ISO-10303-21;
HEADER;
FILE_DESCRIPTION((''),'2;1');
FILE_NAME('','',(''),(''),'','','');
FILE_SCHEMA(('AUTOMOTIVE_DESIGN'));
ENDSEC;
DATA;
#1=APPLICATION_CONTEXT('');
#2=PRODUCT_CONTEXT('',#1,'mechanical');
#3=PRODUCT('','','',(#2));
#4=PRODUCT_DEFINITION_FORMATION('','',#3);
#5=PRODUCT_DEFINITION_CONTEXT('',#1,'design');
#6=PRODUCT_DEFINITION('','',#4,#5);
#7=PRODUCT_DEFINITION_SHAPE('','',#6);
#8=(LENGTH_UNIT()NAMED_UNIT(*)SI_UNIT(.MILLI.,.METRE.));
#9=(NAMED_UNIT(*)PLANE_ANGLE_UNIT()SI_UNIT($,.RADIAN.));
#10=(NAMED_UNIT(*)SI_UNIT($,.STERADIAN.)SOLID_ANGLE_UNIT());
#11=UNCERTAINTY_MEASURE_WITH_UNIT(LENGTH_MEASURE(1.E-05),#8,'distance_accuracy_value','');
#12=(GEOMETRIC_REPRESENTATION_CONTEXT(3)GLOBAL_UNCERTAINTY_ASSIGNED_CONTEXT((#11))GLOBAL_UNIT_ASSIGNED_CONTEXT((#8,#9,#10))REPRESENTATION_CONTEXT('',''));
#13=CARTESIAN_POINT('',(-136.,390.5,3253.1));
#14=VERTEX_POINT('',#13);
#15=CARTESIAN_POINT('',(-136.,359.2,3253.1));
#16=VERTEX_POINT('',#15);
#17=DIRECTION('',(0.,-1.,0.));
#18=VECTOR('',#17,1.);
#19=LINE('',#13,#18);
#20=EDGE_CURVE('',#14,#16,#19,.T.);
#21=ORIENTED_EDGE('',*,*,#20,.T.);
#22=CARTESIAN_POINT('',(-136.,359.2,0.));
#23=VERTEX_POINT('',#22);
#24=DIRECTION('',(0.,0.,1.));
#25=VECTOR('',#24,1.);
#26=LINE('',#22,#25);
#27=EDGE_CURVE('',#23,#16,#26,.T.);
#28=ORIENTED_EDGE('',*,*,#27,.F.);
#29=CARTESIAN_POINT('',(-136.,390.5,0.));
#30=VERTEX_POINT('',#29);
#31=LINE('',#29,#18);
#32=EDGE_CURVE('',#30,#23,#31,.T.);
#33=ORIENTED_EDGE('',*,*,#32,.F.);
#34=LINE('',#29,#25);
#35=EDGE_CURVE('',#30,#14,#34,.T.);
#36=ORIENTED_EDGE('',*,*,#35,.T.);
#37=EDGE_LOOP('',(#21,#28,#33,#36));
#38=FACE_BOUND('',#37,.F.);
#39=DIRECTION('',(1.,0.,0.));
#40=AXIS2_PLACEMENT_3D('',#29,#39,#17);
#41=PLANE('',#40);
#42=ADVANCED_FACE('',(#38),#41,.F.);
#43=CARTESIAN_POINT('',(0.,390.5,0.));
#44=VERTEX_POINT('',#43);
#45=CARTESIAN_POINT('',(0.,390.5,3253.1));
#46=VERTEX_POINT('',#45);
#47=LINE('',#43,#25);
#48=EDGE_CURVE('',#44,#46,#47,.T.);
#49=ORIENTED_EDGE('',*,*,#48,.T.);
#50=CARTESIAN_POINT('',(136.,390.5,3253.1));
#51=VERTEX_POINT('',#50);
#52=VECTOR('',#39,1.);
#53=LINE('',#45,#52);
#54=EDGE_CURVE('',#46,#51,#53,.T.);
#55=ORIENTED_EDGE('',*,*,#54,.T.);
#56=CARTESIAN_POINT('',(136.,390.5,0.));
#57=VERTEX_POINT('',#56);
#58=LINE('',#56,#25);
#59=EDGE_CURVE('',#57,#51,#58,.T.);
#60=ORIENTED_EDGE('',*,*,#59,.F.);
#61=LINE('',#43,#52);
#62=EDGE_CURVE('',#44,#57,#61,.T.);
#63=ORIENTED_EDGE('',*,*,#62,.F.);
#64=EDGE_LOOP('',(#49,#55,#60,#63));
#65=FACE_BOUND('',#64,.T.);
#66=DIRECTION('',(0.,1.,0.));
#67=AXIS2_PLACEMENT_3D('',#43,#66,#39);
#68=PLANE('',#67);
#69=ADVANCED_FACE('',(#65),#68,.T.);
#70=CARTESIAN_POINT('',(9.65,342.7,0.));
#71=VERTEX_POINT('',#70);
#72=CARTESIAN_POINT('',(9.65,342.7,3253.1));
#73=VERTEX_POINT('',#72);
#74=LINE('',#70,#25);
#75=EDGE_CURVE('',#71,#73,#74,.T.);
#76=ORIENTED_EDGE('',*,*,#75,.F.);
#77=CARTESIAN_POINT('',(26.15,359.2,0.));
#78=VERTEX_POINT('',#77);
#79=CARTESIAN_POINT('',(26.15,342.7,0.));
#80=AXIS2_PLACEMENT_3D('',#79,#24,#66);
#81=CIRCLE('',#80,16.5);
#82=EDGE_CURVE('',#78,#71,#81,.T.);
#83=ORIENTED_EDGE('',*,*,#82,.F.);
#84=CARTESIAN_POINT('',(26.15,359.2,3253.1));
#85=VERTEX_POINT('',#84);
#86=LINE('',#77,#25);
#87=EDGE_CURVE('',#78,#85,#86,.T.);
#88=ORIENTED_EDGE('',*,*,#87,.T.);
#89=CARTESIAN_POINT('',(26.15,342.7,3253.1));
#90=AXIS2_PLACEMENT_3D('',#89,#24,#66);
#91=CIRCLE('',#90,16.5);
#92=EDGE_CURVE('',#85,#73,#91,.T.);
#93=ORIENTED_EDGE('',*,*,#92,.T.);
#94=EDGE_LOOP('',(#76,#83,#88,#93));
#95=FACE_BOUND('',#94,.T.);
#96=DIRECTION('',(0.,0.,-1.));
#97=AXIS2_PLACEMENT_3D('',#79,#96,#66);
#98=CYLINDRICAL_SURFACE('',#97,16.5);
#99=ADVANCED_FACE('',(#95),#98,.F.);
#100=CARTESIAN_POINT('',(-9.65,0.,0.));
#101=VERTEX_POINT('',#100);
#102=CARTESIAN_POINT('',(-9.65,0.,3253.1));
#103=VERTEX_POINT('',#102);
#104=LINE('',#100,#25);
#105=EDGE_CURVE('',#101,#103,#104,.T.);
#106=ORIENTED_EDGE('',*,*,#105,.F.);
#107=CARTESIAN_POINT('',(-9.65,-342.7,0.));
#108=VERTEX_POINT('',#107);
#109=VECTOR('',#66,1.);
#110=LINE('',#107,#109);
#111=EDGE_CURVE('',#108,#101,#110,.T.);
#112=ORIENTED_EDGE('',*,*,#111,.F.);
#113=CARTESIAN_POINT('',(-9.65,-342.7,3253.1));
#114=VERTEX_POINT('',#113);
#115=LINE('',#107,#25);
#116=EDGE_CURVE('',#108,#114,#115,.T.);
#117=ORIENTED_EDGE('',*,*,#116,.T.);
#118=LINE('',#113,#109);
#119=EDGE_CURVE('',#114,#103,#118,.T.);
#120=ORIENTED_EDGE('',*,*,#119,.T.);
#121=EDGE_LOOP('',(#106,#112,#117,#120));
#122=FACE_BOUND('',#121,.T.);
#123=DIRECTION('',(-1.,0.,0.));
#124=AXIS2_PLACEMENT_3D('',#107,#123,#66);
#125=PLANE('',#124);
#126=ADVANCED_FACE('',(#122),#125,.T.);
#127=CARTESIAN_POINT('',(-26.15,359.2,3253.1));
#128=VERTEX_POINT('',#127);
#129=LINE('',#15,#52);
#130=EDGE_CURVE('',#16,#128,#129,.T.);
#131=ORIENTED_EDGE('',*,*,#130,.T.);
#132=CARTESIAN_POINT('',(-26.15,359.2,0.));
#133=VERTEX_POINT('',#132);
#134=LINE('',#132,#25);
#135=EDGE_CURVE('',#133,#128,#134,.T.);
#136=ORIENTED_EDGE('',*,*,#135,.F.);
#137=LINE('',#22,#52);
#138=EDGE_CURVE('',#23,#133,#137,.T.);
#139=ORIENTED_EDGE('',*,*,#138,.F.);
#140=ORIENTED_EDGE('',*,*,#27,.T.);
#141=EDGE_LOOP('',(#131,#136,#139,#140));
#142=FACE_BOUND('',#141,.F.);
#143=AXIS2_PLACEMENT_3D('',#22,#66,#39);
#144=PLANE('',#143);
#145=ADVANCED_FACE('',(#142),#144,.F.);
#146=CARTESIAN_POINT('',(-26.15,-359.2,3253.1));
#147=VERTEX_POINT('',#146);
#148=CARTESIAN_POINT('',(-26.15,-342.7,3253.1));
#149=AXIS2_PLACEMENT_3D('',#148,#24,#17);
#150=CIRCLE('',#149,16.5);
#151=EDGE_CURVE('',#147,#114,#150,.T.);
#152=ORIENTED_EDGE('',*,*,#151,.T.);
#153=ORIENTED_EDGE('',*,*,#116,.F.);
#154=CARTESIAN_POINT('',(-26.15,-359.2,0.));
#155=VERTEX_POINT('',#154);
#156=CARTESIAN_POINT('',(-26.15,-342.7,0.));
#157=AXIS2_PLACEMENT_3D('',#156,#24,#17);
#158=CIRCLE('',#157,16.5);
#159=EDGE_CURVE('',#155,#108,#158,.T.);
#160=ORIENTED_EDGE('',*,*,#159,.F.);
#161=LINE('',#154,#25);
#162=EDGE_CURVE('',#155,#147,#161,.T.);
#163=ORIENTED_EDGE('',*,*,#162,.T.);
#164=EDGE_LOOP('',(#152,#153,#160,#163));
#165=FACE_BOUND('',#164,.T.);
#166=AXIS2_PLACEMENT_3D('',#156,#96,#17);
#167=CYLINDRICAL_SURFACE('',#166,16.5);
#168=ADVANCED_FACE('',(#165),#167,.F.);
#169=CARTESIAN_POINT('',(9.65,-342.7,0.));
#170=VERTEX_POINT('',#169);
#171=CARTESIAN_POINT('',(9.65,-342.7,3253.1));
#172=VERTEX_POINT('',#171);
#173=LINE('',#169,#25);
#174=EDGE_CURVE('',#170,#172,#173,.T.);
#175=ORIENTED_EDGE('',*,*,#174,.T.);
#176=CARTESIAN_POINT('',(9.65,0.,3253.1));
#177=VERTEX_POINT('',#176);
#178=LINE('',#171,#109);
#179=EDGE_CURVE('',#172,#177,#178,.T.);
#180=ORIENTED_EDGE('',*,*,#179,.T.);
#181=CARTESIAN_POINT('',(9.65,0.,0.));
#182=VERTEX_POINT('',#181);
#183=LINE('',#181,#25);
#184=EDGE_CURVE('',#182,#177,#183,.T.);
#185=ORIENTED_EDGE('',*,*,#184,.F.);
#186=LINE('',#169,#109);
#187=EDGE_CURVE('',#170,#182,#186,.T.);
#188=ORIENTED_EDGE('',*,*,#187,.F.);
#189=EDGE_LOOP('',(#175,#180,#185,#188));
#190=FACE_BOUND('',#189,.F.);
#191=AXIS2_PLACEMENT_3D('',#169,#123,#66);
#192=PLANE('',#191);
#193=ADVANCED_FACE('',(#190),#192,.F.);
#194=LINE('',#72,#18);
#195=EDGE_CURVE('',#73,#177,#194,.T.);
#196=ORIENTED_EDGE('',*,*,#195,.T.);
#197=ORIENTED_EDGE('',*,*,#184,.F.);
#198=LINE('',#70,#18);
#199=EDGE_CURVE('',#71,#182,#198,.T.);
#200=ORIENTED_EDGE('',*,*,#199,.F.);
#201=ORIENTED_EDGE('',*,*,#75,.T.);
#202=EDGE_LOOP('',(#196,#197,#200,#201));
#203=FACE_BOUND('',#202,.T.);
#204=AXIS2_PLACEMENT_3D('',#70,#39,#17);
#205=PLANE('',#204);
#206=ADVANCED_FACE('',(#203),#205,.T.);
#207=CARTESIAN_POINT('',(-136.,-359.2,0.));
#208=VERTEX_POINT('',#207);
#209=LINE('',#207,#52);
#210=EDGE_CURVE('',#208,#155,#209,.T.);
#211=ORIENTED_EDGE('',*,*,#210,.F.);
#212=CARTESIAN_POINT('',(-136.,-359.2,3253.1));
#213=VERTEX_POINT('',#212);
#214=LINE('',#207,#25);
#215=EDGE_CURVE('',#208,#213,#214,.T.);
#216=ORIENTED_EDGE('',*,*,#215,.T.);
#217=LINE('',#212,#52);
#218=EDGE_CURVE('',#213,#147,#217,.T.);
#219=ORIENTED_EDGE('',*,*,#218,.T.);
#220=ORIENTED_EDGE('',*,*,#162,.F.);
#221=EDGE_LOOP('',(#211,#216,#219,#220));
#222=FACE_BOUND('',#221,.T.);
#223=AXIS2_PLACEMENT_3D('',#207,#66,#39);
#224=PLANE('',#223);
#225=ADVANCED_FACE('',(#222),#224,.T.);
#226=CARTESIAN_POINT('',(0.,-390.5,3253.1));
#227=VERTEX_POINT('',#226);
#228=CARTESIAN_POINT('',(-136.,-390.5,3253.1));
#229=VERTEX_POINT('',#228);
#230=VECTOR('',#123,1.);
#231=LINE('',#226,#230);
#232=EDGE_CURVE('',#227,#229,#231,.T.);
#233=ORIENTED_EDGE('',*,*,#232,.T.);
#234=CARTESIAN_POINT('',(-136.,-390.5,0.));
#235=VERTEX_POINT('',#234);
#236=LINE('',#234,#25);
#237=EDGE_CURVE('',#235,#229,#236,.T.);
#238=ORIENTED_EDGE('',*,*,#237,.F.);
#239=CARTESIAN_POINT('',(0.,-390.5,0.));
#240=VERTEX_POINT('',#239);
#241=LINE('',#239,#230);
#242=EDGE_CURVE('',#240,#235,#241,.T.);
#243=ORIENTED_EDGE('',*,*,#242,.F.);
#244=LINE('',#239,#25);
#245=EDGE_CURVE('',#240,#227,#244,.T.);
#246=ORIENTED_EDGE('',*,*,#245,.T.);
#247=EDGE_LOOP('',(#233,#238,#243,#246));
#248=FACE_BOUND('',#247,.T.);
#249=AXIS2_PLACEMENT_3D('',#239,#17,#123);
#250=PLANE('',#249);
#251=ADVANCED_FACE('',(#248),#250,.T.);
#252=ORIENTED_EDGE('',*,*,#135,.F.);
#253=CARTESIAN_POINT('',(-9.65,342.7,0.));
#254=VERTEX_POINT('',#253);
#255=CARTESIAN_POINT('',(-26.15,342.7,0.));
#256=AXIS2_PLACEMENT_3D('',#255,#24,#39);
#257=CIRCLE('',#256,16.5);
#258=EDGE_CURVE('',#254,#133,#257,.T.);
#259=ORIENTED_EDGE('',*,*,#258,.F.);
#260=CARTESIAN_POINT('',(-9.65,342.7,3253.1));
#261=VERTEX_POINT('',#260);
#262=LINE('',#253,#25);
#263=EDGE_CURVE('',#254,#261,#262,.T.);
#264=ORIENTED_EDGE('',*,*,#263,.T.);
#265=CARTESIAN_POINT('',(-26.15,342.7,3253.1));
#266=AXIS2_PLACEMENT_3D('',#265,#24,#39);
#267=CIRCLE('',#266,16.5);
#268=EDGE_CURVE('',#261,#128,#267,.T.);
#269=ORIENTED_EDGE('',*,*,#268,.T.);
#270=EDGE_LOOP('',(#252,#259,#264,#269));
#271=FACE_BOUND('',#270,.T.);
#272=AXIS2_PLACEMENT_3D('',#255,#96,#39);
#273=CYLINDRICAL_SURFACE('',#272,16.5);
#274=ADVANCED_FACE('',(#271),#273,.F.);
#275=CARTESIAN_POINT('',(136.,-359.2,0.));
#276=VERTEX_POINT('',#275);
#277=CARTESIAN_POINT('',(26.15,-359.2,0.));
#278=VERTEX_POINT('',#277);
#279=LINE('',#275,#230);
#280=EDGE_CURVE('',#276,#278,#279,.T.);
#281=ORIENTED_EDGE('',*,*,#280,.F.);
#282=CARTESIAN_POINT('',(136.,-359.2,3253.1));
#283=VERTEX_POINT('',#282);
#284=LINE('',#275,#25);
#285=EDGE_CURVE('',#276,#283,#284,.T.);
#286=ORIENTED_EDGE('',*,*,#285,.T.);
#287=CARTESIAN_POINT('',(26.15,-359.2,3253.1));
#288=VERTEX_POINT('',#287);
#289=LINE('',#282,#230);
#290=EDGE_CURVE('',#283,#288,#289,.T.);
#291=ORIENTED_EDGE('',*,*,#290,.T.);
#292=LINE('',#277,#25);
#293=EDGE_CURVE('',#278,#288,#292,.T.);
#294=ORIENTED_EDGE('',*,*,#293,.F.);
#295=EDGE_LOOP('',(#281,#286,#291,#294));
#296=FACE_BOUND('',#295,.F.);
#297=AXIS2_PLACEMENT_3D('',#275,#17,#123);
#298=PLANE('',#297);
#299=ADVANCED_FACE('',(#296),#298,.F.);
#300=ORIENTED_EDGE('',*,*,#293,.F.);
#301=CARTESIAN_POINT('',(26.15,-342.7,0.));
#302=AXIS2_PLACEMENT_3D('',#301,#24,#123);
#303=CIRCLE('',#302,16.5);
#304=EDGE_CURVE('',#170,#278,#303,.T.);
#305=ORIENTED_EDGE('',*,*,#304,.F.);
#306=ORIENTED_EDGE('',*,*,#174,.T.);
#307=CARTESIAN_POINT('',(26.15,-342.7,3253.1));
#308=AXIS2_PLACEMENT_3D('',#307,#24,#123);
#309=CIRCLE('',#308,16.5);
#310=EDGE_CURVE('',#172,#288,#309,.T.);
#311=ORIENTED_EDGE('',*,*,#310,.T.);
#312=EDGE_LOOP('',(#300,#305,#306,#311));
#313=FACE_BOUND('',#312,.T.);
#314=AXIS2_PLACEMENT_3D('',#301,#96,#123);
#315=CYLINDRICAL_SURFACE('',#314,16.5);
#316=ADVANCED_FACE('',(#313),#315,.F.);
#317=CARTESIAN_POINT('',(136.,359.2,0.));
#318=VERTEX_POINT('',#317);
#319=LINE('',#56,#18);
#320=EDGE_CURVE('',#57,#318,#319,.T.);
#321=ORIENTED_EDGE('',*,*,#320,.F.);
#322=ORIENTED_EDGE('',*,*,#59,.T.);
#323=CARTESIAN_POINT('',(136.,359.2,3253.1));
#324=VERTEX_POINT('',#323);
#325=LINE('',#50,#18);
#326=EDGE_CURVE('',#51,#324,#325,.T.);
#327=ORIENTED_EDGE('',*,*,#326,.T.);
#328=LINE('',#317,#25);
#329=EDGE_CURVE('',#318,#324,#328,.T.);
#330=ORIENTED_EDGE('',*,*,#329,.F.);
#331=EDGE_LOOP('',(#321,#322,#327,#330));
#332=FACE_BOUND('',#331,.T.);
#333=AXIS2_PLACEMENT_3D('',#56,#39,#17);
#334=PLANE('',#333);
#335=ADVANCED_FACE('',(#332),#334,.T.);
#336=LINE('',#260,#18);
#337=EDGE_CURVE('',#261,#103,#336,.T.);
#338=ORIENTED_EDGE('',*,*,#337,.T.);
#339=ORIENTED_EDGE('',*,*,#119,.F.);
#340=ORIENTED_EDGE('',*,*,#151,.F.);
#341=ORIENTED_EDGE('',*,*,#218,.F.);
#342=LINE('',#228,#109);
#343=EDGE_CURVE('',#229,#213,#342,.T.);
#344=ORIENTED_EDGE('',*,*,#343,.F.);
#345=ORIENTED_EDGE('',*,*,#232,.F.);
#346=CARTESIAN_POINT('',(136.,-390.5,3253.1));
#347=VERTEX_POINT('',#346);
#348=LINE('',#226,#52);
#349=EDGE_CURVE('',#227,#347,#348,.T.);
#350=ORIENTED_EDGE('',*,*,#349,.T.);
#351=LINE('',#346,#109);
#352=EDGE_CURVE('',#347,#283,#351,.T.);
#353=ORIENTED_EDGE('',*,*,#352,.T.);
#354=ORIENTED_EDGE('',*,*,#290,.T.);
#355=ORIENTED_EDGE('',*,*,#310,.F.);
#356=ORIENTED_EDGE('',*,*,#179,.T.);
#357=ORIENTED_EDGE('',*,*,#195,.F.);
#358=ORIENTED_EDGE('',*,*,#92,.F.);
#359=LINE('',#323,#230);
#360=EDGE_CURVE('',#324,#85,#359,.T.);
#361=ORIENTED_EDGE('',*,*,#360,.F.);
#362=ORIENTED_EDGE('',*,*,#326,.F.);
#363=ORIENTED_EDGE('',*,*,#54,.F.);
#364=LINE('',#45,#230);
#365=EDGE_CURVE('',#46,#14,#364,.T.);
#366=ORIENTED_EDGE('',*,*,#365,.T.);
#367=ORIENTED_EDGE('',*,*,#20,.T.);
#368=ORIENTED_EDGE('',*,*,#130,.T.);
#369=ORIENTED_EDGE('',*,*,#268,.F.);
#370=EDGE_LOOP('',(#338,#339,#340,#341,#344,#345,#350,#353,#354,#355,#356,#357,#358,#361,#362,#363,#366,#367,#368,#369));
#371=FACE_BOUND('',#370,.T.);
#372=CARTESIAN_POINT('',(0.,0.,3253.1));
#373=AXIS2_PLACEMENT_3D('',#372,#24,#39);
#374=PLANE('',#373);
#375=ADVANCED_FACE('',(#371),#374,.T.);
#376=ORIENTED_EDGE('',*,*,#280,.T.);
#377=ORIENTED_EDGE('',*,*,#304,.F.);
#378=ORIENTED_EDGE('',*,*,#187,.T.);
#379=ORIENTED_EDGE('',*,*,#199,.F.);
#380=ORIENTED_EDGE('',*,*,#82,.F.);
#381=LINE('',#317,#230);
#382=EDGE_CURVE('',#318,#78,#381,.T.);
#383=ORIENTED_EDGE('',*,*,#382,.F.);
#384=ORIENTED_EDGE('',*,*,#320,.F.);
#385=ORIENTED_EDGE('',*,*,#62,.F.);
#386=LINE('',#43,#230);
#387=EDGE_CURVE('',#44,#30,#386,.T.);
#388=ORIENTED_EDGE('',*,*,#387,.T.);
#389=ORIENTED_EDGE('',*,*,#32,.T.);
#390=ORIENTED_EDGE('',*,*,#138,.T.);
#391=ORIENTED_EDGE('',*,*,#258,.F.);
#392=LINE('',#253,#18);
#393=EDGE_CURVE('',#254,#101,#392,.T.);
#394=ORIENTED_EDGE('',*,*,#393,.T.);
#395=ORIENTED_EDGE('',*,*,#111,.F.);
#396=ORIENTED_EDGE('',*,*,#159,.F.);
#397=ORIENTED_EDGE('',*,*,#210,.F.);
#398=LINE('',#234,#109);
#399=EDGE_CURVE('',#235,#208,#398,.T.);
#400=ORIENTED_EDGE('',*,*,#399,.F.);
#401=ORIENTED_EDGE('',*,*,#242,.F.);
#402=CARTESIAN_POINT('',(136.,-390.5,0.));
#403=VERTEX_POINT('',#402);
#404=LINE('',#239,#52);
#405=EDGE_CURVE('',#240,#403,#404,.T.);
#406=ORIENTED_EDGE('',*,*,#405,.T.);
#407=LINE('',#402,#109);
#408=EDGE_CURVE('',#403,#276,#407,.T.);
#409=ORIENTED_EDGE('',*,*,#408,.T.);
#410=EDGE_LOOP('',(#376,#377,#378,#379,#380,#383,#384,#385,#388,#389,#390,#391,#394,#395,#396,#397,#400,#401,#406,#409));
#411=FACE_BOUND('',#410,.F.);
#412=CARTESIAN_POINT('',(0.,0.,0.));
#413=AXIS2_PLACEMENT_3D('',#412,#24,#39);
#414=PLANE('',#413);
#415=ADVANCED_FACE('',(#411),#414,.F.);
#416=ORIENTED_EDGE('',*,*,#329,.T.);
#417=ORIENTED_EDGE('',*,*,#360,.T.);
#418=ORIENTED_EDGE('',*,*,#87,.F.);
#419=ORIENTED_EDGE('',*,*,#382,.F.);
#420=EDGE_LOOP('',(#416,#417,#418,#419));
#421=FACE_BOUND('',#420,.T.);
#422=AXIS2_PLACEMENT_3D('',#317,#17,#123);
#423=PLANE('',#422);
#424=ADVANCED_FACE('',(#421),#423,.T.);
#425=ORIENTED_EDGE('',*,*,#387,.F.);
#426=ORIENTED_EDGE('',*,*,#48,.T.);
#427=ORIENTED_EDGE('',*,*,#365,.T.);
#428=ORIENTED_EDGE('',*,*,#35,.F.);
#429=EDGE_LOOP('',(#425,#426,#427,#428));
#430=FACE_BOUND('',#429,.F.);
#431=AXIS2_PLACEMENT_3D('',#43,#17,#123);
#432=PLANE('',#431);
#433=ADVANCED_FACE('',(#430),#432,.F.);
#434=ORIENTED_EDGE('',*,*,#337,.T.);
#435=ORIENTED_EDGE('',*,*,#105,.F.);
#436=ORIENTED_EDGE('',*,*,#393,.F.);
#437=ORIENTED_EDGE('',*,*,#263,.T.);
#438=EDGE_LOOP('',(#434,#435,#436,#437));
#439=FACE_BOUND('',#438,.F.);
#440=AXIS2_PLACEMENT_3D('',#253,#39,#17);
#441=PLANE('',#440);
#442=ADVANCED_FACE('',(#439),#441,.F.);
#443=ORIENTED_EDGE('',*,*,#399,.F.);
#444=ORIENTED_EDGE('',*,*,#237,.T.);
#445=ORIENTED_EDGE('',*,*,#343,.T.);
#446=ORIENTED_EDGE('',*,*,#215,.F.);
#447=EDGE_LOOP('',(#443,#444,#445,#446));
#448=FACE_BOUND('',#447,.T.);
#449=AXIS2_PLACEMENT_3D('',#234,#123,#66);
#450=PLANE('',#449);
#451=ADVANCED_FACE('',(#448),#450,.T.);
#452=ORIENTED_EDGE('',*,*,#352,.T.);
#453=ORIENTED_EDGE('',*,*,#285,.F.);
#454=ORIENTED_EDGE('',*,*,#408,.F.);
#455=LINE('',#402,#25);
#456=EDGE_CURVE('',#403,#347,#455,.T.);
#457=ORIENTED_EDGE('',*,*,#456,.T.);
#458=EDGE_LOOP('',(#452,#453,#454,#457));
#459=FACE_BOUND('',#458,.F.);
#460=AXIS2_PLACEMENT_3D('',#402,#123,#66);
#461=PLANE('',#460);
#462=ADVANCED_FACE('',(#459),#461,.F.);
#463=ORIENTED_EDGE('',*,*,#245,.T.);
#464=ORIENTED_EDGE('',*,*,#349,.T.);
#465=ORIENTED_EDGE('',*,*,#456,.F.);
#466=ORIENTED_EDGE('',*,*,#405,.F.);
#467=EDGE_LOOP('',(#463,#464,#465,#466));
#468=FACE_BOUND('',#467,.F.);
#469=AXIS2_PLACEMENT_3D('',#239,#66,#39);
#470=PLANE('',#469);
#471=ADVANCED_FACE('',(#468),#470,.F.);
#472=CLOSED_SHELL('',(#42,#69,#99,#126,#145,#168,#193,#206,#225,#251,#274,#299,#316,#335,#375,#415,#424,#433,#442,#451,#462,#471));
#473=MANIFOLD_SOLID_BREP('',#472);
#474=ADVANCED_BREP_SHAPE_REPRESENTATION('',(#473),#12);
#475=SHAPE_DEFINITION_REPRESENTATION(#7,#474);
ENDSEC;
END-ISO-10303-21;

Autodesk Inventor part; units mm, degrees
ref_plane "YZ Plane" through (0, 0, 0) normal (1, 0, 0) x (0, 1, 0)
ref_plane "Start plane" through (0, 0, 0) normal (0, 0, 1) x (1, 0, 0)
ref_plane "End plane" through (0, 0, 3253.1) normal (0, 0, 1) x (1, 0, 0)
sketch "Sketch" plane through (0, 0, 0) normal (0, 0, 1) x (1, 0, 0)
  line L0 (-136, -390.5) -> (-136, -359.2)
  line L1 (-136, -359.2) -> (-26.15, -359.2)
  line L2 (-9.65, -342.7) -> (-9.65, 0)
  line L3 (-9.65, 0) -> (0, 0) construction
  line L4 (0, 0) -> (0, -390.5) construction
  line L5 (0, -390.5) -> (-136, -390.5)
  line L6 (-60, 0) -> (80, 0) construction
  line L7 (0, -60) -> (0, 80) construction
  line L8 (136, -390.5) -> (136, -359.2)
  line L9 (136, -359.2) -> (26.15, -359.2)
  line L10 (9.65, -342.7) -> (9.65, 0)
  line L11 (9.65, 0) -> (0, 0) construction
  line L12 (0, -390.5) -> (136, -390.5)
  line L13 (-136, 390.5) -> (-136, 359.2)
  line L14 (-136, 359.2) -> (-26.15, 359.2)
  line L15 (-9.65, 342.7) -> (-9.65, 0)
  line L16 (0, 390.5) -> (-136, 390.5)
  line L17 (136, 390.5) -> (136, 359.2)
  line L18 (136, 359.2) -> (26.15, 359.2)
  line L19 (0, 390.5) -> (136, 390.5)
  line L20 (9.65, 342.7) -> (9.65, 0)
  arc A0 (-9.65, 342.7) -> (-26.15, 359.2) centre (-26.15, 342.7) ccw
  arc A1 (26.15, 359.2) -> (9.65, 342.7) centre (26.15, 342.7) ccw
  arc A2 (9.65, -342.7) -> (26.15, -359.2) centre (26.15, -342.7) ccw
  arc A3 (-26.15, -359.2) -> (-9.65, -342.7) centre (-26.15, -342.7) ccw
  line L21 (0, 108) -> (0, -88) construction
  line L22 (-88, 0) -> (108, 0) construction
  point P0 (-9.65, -359.2)
  point P1 (9.65, -359.2)
  point P2 (-9.65, 359.2)
  point P3 (9.65, 359.2)
  dimension "d1" = 390.5
  dimension "d2" = 31.3
  dimension "d3" = 136
  dimension "d4" = 9.65
  dimension "d10" = 16.5
extrude "Body" add sketch "Sketch" along normal up to surface (3253.1 mm away) from surface at 0
sketch "Sketch4" plane through (0, 0, 0) normal (0, 0, 1) x (1, 0, 0)
  line L0 (0, 0) -> (10, 0)
ref_plane "Work Plane3" through (0, 0, 0) normal (0, -1, 0) x (1, 0, 0)
sketch "Sketch5" plane through (0, 0, 0) normal (0, -1, 0) x (1, 0, 0)
  line L0 (-2, 0) -> (12, 0) projected
  line L1 (-2, 3253.1) -> (12, 3253.1) projected
  dimension "d14" = 3253.1
equation "\"d1\" = 0.5 * G_H"
equation "\"d2\" = G_T1"
equation "\"d3\" = 0.5 * G_W"
equation "\"d4\" = 0.5 * G_T"
equation "\"d10\" = G_IR"
equation "\"d5\" = G_L"
equation "\"G_W\" = 272"
equation "\"G_H\" = 781"
equation "\"G_T\" = 19.3"
equation "\"G_T1\" = 31.3"
equation "\"G_IR\" = 16.5"
equation "\"G_L\" = d14"
equation "\"G_OFFSET_START\" = 0"
equation "\"G_OFFSET_END\" = 0"
equation "\"d12\" = G_OFFSET_END + B_L"
equation "\"B_L\" = 3253.1"
properties part number "AS 3679-1990 - 760 UB - 244 - 3253.1" material "Steel, Mild"
